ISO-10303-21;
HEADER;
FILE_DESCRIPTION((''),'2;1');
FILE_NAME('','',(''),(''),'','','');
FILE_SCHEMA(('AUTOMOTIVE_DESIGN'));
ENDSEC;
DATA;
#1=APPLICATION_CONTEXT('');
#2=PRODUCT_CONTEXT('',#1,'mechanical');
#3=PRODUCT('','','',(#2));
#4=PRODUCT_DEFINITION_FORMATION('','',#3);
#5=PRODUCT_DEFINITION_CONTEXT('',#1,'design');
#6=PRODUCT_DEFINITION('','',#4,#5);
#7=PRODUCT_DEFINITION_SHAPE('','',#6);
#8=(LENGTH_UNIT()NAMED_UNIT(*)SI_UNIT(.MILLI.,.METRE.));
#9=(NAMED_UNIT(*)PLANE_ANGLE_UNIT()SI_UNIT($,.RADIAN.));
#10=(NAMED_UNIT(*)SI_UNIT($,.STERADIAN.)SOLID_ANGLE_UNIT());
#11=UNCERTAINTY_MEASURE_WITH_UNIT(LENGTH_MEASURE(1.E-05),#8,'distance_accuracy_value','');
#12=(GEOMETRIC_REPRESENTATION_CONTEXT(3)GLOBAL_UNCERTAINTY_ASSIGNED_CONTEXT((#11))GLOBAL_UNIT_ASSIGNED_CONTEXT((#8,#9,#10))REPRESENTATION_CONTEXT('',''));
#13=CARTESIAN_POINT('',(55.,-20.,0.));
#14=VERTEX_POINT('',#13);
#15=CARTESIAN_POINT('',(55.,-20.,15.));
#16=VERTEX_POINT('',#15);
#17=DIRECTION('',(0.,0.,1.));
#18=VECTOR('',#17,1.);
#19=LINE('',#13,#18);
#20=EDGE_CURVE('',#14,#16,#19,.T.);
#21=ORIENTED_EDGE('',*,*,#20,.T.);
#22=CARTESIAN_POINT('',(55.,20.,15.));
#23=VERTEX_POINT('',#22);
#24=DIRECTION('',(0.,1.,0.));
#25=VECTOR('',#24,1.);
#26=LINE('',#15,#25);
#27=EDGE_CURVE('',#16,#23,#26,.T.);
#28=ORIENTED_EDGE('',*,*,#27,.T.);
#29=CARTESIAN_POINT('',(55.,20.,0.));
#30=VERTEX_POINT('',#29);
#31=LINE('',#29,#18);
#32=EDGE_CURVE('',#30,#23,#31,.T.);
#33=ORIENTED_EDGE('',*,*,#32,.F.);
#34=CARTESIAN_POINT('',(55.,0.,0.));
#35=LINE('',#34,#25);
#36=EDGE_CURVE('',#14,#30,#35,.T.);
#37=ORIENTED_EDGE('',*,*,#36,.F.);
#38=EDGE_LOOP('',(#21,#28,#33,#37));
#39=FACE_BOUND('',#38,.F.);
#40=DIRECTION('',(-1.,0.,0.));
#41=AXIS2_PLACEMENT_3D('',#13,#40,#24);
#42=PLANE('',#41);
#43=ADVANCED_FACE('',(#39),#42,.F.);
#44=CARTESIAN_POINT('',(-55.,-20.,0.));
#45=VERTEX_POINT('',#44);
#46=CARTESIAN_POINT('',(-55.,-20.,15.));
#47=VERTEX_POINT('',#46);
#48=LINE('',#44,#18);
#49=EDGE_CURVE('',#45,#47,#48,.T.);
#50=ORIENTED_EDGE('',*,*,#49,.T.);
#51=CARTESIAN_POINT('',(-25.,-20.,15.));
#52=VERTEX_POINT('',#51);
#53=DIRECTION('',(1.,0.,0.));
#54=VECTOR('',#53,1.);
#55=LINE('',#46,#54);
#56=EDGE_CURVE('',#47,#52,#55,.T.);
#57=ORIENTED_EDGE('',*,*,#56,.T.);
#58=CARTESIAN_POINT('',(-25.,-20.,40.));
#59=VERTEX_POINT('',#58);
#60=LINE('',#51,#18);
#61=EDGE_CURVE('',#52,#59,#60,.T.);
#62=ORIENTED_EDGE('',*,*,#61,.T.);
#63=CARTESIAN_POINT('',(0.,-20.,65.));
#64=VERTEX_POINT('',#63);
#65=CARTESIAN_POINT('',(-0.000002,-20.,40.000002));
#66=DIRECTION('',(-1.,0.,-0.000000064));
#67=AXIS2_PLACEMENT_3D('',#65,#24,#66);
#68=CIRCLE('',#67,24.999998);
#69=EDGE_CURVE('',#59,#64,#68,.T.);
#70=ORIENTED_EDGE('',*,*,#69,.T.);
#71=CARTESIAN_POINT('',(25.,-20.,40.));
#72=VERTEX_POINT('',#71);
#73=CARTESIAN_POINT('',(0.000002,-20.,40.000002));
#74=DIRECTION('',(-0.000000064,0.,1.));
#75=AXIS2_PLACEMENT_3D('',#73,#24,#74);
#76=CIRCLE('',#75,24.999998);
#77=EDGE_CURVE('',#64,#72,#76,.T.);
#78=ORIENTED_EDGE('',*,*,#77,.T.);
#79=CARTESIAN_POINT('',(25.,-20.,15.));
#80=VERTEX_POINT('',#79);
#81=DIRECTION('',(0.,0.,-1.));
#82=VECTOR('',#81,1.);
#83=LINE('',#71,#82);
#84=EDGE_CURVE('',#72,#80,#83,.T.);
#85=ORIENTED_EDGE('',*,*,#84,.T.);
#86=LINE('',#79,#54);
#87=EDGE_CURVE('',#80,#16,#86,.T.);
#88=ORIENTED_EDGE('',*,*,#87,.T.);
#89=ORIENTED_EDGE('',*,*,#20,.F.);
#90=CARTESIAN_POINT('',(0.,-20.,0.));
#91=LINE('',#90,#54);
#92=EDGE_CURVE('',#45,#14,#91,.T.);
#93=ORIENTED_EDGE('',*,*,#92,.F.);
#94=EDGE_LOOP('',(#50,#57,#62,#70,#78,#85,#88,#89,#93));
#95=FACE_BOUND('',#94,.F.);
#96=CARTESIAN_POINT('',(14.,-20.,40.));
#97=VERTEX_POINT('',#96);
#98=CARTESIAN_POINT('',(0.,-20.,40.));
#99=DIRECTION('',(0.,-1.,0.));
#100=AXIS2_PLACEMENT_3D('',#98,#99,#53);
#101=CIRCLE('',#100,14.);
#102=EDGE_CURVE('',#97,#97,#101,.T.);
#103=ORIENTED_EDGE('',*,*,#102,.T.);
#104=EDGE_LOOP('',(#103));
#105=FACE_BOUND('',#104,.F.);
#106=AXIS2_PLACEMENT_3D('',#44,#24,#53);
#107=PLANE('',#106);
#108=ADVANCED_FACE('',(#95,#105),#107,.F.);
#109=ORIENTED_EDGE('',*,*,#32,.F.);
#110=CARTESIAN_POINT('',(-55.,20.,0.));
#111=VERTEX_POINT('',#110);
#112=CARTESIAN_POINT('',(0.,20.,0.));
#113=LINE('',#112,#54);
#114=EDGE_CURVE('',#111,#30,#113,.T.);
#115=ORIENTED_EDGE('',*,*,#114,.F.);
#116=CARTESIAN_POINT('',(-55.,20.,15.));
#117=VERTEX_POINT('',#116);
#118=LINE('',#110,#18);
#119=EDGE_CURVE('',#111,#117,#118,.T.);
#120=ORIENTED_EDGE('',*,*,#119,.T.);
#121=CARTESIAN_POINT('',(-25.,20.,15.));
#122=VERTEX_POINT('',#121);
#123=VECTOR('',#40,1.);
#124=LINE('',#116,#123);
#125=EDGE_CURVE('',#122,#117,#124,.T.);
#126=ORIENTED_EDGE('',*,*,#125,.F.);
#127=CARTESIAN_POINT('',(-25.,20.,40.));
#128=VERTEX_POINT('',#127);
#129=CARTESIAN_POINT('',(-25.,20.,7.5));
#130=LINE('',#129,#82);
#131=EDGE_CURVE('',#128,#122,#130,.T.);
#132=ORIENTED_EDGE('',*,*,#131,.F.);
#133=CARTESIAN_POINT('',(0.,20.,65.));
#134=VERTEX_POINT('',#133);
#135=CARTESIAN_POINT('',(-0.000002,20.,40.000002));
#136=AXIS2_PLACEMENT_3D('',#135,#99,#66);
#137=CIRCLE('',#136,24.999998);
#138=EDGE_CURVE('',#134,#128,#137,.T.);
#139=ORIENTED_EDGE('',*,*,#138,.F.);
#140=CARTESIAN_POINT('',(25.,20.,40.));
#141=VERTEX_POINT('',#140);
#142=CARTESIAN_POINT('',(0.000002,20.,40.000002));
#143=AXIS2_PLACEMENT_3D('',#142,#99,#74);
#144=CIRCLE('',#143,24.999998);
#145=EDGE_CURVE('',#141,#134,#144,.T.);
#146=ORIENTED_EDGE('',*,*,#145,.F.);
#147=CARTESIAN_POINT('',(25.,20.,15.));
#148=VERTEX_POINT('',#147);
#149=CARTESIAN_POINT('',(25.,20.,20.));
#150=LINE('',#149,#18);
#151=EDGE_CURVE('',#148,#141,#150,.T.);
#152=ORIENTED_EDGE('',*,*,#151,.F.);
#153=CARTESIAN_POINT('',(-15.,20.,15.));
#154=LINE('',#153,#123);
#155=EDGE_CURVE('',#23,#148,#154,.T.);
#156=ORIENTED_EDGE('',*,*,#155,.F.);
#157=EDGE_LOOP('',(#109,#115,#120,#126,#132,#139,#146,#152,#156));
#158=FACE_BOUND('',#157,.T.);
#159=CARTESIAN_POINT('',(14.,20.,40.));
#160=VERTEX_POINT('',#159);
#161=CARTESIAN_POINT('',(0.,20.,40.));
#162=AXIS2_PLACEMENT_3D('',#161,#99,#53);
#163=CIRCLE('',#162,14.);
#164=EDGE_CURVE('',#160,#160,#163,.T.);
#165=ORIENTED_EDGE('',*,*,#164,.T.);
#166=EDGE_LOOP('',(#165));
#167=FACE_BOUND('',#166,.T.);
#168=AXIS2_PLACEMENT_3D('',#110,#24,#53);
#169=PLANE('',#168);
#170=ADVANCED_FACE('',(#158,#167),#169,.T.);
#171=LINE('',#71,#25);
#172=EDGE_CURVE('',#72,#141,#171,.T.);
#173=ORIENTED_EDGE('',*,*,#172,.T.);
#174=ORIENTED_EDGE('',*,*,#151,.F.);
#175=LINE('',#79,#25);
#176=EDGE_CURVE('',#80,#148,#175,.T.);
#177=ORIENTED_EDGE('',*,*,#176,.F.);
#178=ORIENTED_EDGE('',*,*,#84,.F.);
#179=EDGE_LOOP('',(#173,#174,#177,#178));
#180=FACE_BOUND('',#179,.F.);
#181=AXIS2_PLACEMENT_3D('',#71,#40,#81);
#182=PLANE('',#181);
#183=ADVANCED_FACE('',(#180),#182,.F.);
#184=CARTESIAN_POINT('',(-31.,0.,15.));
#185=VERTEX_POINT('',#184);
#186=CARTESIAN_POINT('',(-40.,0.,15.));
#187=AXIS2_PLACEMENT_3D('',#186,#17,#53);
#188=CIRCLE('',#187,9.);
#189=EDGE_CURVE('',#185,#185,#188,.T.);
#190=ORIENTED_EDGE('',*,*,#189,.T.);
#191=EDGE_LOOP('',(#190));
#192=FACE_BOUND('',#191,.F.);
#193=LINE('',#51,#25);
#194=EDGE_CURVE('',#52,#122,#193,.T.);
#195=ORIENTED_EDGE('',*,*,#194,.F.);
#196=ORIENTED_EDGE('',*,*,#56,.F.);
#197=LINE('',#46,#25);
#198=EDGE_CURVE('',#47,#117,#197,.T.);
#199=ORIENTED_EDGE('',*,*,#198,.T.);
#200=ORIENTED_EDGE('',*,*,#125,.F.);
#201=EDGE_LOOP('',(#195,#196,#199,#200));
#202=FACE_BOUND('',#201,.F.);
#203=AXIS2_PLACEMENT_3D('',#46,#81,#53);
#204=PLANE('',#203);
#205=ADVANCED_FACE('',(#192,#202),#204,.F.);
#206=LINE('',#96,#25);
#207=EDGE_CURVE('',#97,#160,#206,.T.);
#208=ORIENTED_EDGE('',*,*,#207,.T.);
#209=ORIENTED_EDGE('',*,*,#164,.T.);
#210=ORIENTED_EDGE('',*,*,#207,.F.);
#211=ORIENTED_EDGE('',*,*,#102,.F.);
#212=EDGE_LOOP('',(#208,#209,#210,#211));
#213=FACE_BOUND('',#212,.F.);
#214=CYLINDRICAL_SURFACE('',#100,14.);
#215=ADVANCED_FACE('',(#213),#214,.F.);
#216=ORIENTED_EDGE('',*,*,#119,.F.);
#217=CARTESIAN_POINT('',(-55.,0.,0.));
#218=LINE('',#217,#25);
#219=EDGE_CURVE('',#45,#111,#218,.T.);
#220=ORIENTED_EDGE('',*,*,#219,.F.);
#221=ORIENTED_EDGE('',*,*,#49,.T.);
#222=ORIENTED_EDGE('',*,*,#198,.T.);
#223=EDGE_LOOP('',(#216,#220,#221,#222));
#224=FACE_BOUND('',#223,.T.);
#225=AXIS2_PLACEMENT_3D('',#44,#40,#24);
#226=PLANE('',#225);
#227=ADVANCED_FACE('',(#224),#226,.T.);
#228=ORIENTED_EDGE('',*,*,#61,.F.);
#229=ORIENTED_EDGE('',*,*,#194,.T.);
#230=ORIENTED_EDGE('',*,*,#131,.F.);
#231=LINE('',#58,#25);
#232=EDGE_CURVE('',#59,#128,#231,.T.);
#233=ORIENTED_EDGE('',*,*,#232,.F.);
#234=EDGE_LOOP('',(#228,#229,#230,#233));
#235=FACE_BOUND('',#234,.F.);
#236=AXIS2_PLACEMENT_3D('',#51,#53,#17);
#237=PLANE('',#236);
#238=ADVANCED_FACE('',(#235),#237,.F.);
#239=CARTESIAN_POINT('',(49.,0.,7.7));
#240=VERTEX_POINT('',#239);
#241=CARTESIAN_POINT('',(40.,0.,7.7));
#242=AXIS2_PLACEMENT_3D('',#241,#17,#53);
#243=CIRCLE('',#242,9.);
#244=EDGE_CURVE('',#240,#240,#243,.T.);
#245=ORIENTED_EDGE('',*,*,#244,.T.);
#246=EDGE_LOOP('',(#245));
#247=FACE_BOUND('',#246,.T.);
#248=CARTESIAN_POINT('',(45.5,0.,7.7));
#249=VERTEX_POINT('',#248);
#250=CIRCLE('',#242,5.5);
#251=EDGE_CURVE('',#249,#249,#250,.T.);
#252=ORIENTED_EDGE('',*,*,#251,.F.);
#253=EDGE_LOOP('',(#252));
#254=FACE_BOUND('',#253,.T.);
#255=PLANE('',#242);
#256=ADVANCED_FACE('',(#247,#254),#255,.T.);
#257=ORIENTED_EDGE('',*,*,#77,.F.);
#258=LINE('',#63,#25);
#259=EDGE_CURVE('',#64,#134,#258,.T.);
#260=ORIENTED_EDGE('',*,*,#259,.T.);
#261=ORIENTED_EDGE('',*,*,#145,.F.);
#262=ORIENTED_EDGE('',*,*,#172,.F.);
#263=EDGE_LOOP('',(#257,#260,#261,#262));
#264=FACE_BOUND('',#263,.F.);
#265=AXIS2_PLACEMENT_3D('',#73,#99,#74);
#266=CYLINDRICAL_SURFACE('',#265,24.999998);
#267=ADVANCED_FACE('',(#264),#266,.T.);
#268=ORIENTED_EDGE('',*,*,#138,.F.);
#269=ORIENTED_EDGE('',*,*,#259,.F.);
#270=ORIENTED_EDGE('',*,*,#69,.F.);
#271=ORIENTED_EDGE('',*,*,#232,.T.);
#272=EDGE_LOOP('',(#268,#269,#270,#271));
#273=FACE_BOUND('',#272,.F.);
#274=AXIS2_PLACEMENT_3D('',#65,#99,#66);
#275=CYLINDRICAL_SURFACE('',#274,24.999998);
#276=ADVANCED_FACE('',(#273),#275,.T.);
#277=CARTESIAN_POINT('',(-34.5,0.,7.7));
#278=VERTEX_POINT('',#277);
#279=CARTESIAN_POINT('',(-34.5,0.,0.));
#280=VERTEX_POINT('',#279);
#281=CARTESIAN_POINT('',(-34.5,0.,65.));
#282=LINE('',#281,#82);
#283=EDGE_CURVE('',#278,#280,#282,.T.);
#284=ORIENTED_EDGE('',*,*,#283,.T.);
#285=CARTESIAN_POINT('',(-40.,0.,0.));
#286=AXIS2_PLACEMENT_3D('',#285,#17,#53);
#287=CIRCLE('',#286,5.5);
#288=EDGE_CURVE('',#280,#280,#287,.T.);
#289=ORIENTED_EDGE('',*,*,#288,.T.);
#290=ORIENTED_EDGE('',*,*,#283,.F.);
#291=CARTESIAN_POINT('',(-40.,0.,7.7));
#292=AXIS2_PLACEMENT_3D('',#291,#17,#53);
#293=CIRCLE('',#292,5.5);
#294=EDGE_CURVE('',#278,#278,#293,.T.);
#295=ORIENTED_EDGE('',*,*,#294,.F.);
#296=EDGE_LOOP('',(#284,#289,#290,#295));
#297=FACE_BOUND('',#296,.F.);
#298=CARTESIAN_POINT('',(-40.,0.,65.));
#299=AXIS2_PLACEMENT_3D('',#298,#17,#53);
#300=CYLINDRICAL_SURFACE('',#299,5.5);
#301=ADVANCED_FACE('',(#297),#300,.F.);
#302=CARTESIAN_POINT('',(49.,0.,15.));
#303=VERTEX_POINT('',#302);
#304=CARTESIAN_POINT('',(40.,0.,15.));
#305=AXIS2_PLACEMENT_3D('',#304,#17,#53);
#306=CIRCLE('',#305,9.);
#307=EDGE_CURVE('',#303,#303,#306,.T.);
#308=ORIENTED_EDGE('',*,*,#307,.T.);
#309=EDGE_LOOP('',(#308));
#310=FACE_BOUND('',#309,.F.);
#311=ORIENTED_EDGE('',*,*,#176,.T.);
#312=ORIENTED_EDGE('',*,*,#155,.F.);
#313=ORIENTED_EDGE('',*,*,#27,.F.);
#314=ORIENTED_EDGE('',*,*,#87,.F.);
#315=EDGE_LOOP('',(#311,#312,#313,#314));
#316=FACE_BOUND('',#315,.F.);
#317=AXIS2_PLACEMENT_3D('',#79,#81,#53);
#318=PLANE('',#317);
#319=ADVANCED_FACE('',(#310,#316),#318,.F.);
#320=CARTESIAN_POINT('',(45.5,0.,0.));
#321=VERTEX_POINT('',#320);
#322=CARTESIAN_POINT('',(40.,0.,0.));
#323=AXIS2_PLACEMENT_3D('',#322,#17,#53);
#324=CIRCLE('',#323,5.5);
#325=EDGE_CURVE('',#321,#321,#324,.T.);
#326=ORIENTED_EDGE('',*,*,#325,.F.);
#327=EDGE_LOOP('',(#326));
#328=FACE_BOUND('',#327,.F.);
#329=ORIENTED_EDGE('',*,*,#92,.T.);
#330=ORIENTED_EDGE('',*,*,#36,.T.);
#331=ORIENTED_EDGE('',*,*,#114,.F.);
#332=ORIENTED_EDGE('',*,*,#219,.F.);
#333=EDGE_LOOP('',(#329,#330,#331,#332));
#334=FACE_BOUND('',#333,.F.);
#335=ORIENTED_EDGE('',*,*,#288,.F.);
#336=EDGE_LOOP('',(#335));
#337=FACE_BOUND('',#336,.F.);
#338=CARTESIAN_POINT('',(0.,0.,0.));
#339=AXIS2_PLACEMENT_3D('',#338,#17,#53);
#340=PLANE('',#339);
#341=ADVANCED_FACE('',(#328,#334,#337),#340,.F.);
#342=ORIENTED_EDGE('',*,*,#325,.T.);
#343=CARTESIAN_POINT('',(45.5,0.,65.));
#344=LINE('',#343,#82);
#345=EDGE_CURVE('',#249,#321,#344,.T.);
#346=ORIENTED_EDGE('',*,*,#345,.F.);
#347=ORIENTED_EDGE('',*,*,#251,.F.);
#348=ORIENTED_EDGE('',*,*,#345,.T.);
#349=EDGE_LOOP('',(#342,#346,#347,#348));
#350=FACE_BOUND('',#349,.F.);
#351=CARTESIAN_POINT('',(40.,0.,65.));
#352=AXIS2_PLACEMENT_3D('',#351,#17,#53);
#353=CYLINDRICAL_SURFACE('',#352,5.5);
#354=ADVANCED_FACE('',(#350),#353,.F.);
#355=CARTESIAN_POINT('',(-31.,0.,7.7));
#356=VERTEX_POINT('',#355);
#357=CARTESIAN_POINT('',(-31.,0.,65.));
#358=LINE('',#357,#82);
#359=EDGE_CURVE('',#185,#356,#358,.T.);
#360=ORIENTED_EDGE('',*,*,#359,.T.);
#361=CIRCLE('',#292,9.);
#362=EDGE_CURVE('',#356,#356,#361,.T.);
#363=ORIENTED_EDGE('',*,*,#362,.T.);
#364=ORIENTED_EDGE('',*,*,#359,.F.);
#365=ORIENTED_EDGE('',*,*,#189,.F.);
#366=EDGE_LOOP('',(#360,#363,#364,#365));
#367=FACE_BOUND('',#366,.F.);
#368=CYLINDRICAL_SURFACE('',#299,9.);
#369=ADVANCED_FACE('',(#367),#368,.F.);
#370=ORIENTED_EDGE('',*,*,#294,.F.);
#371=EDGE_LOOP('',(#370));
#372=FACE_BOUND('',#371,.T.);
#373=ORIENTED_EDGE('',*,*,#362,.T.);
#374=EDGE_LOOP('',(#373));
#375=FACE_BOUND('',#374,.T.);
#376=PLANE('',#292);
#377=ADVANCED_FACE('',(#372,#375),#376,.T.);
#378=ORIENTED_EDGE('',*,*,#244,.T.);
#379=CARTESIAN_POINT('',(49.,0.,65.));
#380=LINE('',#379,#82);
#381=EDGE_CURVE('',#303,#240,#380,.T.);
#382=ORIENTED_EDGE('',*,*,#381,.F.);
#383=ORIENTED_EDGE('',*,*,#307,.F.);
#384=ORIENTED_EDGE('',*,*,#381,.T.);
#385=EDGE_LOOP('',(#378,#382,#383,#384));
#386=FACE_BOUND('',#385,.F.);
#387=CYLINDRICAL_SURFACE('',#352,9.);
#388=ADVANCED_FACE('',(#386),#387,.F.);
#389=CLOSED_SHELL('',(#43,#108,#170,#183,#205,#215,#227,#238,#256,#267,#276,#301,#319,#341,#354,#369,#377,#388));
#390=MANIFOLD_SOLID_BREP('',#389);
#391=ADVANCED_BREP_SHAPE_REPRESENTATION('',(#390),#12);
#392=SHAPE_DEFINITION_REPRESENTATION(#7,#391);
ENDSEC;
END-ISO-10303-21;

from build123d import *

# Parameters (mm, degrees)
F0_W     = 110
F0_H     = 40
F1_DEPTH = 65
F2_R     = 5.5
F3_DEPTH = 80
F2_R_2   = 9
F4_DEPTH = 57.3
F5_R     = 14
F6_DEPTH = 80


with BuildPart() as f1:
    # F0 (on Top) → F1 (new body)
    with BuildSketch(Plane.XY):
        Rectangle(F0_W, F0_H)
    extrude(amount=F1_DEPTH)

    # F2 (on face) → F3 (cut)
    with BuildSketch(Plane.XY.offset(65)):
        with Locations((-40, 0)):
            Circle(F2_R)
        with Locations((40, 0)):
            Circle(F2_R)
    extrude(amount=-F3_DEPTH, mode=Mode.SUBTRACT)

    # F2 (on face) → F4 (cut)
    with BuildSketch(Plane.XY.offset(65)):
        with Locations((-40, 0)):
            Circle(F2_R_2)
        with Locations((-40, 0)):
            Circle(F2_R, mode=Mode.SUBTRACT)
        with Locations((40, 0)):
            Circle(F2_R_2)
        with Locations((40, 0)):
            Circle(F2_R, mode=Mode.SUBTRACT)
    extrude(amount=-F4_DEPTH, mode=Mode.SUBTRACT)

    # F5 (on face) → F6 (cut)
    with BuildSketch(Plane.XZ.offset(20)):
        with Locations((0, 40)):
            Circle(F5_R)
        with BuildLine():
            Line((-55, 65), (-55, 15))
            Line((-55, 15), (-25, 15))
            Line((-25, 15), (-25, 40))
            ThreePointArc((-25, 40), (-17.67767, 57.67767), (0, 65))
            Line((0, 65), (-55, 65))
        make_face()
        with BuildLine():
            Line((55, 65), (0, 65))
            ThreePointArc((0, 65), (17.67767, 57.67767), (25, 40))
            Line((25, 40), (25, 15))
            Line((25, 15), (55, 15))
            Line((55, 15), (55, 65))
        make_face()
    extrude(amount=-F6_DEPTH, mode=Mode.SUBTRACT)


solid = f1.part
